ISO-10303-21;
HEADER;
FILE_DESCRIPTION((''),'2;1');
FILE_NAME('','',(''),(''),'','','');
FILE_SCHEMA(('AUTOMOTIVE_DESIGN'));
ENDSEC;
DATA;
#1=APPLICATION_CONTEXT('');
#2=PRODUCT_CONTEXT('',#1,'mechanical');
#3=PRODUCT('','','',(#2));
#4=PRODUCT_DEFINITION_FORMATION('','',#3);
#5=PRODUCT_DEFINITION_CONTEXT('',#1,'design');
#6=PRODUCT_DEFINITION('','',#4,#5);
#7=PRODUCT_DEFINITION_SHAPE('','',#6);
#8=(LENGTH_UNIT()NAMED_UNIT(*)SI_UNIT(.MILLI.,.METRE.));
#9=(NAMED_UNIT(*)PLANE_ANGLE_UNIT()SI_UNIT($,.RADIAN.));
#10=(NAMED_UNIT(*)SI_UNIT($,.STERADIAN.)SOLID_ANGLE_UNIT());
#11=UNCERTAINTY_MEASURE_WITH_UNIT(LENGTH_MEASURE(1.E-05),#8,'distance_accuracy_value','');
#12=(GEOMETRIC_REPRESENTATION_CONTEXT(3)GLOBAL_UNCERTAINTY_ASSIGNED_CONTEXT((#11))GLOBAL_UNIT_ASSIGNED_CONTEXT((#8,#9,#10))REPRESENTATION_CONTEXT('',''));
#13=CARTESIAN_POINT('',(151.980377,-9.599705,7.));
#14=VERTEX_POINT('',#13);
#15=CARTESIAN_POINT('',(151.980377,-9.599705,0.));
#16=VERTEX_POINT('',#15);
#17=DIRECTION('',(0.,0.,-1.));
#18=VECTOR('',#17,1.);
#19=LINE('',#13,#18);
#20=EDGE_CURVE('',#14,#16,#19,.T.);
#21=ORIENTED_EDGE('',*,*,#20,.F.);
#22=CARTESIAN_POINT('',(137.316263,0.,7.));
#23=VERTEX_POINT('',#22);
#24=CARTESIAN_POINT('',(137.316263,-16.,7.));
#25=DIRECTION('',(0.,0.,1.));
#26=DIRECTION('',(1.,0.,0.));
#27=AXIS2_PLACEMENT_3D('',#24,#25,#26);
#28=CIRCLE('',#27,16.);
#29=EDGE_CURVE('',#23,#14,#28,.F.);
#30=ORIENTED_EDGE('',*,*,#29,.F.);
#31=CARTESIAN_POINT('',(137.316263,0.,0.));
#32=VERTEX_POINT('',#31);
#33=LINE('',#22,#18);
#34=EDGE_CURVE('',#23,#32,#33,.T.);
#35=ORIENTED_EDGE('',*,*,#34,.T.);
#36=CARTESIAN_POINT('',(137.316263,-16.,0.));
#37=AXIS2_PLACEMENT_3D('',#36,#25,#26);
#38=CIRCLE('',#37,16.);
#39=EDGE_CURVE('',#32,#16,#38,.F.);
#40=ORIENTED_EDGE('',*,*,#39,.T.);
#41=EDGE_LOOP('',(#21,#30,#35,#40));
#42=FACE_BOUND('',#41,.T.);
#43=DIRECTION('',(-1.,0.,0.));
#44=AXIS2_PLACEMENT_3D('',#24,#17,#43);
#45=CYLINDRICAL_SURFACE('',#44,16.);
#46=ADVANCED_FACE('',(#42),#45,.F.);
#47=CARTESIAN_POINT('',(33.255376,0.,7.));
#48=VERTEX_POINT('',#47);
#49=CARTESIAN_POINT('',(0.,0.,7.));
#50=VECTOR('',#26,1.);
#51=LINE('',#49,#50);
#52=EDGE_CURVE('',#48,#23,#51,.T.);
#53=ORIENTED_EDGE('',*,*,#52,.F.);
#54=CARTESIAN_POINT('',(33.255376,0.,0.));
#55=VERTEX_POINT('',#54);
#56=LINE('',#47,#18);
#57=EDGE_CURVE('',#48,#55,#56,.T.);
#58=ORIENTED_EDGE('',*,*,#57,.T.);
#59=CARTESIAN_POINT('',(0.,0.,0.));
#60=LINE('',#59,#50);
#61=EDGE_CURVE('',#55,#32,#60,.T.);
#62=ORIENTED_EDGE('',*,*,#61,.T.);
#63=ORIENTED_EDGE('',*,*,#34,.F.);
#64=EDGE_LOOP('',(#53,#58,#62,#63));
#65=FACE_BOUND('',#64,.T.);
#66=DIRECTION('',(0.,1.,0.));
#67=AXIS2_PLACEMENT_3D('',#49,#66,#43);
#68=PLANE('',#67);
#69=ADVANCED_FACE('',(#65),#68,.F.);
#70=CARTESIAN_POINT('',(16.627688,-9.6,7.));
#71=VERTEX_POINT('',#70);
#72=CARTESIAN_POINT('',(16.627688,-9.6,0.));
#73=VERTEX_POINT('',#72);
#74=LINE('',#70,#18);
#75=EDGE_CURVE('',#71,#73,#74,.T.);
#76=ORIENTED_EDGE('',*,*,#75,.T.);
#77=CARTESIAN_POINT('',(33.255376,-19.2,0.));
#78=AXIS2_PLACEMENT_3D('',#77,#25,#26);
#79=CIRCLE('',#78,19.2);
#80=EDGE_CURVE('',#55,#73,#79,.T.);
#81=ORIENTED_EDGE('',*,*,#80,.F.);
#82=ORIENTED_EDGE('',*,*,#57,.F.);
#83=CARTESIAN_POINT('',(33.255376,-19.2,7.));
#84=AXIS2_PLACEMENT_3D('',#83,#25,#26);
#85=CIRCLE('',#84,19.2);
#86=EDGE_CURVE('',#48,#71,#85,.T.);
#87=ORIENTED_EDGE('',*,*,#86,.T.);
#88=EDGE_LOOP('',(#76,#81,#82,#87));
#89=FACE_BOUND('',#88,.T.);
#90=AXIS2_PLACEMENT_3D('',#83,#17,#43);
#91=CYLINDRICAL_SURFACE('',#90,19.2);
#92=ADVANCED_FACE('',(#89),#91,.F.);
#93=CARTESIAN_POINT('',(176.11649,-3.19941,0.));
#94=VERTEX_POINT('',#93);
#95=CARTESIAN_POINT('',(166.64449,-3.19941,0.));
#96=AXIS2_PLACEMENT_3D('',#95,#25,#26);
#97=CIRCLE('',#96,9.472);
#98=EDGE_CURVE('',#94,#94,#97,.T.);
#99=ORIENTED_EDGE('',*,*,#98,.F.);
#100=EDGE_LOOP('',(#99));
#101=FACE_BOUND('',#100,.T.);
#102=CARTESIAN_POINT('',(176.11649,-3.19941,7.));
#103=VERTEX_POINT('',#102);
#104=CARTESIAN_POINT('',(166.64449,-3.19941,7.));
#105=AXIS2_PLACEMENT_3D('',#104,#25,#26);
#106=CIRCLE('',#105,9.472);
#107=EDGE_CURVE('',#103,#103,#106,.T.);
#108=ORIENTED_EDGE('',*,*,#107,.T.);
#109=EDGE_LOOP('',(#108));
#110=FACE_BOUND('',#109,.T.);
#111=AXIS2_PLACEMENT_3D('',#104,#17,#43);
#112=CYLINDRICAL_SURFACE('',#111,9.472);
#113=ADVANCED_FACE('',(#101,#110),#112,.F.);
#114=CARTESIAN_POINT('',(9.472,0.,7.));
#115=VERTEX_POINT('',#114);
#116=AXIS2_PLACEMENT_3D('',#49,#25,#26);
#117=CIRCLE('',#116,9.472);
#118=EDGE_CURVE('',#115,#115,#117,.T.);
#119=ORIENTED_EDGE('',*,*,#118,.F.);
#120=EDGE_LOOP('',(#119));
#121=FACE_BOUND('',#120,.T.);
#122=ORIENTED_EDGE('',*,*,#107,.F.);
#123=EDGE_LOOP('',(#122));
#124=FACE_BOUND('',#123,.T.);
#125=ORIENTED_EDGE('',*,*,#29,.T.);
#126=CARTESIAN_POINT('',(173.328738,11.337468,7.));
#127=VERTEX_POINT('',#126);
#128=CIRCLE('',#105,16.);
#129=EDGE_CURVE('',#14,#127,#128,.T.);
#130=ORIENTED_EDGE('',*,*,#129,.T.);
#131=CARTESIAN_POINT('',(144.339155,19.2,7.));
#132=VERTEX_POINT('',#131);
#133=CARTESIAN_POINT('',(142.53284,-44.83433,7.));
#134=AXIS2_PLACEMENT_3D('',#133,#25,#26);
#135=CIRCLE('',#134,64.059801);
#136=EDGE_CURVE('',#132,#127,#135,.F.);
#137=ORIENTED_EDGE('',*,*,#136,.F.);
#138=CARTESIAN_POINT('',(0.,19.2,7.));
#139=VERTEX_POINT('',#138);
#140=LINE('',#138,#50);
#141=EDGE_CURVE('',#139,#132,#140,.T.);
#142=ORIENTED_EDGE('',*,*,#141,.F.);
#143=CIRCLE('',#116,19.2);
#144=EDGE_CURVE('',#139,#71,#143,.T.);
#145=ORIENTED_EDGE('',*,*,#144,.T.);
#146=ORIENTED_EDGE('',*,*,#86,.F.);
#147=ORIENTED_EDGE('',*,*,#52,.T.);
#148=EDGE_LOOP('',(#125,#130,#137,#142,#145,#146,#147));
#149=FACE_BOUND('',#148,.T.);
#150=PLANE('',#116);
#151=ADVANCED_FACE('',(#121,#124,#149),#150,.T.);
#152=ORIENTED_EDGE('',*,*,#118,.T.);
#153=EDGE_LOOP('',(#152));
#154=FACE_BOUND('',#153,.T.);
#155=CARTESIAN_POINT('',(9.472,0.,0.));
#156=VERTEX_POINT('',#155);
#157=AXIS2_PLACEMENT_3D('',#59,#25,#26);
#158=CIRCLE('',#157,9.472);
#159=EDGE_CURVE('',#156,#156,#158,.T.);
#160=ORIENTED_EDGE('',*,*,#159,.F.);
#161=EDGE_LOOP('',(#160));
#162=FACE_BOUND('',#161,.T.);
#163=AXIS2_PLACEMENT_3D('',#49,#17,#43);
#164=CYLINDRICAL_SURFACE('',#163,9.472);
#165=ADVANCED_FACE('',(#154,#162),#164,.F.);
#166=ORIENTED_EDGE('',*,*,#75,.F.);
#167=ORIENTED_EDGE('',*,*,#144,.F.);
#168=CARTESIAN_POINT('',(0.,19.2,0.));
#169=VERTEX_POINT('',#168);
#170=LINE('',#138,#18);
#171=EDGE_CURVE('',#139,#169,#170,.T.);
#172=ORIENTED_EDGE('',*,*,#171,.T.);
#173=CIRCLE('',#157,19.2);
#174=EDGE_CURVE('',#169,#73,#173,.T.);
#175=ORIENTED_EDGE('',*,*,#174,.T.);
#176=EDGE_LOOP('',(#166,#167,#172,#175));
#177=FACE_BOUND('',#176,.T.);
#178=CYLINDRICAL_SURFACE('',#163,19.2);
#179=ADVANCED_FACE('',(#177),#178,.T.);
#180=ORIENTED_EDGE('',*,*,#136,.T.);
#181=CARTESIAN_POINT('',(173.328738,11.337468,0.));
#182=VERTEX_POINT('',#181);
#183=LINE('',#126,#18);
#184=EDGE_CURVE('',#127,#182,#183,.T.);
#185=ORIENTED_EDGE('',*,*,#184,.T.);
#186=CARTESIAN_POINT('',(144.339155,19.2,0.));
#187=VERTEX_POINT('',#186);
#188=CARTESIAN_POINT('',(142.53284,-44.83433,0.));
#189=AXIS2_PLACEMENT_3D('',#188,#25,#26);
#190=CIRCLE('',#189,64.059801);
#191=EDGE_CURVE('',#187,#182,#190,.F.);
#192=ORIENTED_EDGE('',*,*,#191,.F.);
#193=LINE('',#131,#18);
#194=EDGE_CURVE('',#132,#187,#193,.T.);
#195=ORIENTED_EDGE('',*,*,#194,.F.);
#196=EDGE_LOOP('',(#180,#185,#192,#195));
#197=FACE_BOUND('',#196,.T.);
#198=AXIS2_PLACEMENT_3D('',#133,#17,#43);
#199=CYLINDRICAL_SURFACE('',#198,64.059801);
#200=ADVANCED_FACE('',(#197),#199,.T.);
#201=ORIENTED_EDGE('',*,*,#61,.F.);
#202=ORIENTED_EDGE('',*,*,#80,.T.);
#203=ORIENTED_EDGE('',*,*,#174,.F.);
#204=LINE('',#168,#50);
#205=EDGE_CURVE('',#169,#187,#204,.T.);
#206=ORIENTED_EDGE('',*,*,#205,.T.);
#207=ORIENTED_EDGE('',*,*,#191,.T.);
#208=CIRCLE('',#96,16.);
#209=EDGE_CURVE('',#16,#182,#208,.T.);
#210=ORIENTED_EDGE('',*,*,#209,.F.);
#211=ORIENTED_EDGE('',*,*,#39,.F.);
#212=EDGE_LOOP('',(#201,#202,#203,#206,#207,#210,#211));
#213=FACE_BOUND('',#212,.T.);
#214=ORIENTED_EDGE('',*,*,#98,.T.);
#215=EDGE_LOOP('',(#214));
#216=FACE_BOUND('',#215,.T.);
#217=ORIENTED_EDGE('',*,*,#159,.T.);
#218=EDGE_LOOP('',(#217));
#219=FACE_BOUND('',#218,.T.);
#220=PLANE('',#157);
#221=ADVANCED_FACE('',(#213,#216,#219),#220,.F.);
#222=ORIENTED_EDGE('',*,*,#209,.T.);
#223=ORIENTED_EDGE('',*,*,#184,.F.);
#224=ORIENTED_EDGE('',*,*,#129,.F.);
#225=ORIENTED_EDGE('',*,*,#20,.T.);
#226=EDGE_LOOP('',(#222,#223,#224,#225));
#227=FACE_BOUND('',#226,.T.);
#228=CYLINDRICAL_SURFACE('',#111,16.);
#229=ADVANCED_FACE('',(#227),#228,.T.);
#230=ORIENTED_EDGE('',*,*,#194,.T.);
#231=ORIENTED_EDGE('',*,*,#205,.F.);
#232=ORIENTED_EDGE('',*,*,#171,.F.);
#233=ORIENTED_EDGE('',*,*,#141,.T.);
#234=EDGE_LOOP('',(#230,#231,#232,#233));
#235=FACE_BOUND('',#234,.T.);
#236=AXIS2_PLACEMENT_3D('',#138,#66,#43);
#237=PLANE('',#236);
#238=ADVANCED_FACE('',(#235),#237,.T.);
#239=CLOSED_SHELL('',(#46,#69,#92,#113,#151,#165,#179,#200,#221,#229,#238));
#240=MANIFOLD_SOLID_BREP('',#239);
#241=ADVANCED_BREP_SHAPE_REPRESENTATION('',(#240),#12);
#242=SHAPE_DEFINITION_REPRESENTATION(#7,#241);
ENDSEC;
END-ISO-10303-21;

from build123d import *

# Parameters (mm, degrees)
SKETCH2_R           = 19.2
SKETCH2_R_2         = 9.472
SKETCH2_R_3         = 16
BOSS_EXTRUDE1_DEPTH = 7


with BuildPart() as part:
    # Sketch2 → Boss-Extrude1 (new body)
    # profile 1 of 3: a face of its own
    with BuildSketch(Plane.XY):
        with BuildLine():
            Line((144.339154619, 19.2), (0, 19.2))
            ThreePointArc((0, 19.2), (13.576450199, 13.576450199), (19.2, 0))
            ThreePointArc((19.2, 0), (18.545775865, -4.969325666), (16.627687753, -9.6))
            ThreePointArc((16.627687753, -9.6), (23.655375505, -2.572312247), (33.255375505, 0))
            Line((33.255375505, 0), (137.316262944, 0))
            ThreePointArc((137.316262944, 0), (146.079689306, -2.613351487), (151.980376503, -9.5997052))
            ThreePointArc((151.980376503, -9.5997052), (155.441326908, 8.223773716), (173.328738352, 11.337467698))
            ThreePointArc((173.328738352, 11.337467698), (159.301290335, 16.991856013), (144.339154619, 19.2))
        make_face()
    # profile 2 of 3: a face of its own
    with BuildSketch(Plane.XY):
        Circle(SKETCH2_R)
        Circle(SKETCH2_R_2, mode=Mode.SUBTRACT)
    # profile 3 of 3: a face of its own
    with BuildSketch(Plane.XY):
        with Locations((166.644490062, -3.199410399)):
            Circle(SKETCH2_R_3)
        with Locations((166.644490062, -3.199410399)):
            Circle(SKETCH2_R_2, mode=Mode.SUBTRACT)
    extrude(amount=BOSS_EXTRUDE1_DEPTH)


solid = part.part
